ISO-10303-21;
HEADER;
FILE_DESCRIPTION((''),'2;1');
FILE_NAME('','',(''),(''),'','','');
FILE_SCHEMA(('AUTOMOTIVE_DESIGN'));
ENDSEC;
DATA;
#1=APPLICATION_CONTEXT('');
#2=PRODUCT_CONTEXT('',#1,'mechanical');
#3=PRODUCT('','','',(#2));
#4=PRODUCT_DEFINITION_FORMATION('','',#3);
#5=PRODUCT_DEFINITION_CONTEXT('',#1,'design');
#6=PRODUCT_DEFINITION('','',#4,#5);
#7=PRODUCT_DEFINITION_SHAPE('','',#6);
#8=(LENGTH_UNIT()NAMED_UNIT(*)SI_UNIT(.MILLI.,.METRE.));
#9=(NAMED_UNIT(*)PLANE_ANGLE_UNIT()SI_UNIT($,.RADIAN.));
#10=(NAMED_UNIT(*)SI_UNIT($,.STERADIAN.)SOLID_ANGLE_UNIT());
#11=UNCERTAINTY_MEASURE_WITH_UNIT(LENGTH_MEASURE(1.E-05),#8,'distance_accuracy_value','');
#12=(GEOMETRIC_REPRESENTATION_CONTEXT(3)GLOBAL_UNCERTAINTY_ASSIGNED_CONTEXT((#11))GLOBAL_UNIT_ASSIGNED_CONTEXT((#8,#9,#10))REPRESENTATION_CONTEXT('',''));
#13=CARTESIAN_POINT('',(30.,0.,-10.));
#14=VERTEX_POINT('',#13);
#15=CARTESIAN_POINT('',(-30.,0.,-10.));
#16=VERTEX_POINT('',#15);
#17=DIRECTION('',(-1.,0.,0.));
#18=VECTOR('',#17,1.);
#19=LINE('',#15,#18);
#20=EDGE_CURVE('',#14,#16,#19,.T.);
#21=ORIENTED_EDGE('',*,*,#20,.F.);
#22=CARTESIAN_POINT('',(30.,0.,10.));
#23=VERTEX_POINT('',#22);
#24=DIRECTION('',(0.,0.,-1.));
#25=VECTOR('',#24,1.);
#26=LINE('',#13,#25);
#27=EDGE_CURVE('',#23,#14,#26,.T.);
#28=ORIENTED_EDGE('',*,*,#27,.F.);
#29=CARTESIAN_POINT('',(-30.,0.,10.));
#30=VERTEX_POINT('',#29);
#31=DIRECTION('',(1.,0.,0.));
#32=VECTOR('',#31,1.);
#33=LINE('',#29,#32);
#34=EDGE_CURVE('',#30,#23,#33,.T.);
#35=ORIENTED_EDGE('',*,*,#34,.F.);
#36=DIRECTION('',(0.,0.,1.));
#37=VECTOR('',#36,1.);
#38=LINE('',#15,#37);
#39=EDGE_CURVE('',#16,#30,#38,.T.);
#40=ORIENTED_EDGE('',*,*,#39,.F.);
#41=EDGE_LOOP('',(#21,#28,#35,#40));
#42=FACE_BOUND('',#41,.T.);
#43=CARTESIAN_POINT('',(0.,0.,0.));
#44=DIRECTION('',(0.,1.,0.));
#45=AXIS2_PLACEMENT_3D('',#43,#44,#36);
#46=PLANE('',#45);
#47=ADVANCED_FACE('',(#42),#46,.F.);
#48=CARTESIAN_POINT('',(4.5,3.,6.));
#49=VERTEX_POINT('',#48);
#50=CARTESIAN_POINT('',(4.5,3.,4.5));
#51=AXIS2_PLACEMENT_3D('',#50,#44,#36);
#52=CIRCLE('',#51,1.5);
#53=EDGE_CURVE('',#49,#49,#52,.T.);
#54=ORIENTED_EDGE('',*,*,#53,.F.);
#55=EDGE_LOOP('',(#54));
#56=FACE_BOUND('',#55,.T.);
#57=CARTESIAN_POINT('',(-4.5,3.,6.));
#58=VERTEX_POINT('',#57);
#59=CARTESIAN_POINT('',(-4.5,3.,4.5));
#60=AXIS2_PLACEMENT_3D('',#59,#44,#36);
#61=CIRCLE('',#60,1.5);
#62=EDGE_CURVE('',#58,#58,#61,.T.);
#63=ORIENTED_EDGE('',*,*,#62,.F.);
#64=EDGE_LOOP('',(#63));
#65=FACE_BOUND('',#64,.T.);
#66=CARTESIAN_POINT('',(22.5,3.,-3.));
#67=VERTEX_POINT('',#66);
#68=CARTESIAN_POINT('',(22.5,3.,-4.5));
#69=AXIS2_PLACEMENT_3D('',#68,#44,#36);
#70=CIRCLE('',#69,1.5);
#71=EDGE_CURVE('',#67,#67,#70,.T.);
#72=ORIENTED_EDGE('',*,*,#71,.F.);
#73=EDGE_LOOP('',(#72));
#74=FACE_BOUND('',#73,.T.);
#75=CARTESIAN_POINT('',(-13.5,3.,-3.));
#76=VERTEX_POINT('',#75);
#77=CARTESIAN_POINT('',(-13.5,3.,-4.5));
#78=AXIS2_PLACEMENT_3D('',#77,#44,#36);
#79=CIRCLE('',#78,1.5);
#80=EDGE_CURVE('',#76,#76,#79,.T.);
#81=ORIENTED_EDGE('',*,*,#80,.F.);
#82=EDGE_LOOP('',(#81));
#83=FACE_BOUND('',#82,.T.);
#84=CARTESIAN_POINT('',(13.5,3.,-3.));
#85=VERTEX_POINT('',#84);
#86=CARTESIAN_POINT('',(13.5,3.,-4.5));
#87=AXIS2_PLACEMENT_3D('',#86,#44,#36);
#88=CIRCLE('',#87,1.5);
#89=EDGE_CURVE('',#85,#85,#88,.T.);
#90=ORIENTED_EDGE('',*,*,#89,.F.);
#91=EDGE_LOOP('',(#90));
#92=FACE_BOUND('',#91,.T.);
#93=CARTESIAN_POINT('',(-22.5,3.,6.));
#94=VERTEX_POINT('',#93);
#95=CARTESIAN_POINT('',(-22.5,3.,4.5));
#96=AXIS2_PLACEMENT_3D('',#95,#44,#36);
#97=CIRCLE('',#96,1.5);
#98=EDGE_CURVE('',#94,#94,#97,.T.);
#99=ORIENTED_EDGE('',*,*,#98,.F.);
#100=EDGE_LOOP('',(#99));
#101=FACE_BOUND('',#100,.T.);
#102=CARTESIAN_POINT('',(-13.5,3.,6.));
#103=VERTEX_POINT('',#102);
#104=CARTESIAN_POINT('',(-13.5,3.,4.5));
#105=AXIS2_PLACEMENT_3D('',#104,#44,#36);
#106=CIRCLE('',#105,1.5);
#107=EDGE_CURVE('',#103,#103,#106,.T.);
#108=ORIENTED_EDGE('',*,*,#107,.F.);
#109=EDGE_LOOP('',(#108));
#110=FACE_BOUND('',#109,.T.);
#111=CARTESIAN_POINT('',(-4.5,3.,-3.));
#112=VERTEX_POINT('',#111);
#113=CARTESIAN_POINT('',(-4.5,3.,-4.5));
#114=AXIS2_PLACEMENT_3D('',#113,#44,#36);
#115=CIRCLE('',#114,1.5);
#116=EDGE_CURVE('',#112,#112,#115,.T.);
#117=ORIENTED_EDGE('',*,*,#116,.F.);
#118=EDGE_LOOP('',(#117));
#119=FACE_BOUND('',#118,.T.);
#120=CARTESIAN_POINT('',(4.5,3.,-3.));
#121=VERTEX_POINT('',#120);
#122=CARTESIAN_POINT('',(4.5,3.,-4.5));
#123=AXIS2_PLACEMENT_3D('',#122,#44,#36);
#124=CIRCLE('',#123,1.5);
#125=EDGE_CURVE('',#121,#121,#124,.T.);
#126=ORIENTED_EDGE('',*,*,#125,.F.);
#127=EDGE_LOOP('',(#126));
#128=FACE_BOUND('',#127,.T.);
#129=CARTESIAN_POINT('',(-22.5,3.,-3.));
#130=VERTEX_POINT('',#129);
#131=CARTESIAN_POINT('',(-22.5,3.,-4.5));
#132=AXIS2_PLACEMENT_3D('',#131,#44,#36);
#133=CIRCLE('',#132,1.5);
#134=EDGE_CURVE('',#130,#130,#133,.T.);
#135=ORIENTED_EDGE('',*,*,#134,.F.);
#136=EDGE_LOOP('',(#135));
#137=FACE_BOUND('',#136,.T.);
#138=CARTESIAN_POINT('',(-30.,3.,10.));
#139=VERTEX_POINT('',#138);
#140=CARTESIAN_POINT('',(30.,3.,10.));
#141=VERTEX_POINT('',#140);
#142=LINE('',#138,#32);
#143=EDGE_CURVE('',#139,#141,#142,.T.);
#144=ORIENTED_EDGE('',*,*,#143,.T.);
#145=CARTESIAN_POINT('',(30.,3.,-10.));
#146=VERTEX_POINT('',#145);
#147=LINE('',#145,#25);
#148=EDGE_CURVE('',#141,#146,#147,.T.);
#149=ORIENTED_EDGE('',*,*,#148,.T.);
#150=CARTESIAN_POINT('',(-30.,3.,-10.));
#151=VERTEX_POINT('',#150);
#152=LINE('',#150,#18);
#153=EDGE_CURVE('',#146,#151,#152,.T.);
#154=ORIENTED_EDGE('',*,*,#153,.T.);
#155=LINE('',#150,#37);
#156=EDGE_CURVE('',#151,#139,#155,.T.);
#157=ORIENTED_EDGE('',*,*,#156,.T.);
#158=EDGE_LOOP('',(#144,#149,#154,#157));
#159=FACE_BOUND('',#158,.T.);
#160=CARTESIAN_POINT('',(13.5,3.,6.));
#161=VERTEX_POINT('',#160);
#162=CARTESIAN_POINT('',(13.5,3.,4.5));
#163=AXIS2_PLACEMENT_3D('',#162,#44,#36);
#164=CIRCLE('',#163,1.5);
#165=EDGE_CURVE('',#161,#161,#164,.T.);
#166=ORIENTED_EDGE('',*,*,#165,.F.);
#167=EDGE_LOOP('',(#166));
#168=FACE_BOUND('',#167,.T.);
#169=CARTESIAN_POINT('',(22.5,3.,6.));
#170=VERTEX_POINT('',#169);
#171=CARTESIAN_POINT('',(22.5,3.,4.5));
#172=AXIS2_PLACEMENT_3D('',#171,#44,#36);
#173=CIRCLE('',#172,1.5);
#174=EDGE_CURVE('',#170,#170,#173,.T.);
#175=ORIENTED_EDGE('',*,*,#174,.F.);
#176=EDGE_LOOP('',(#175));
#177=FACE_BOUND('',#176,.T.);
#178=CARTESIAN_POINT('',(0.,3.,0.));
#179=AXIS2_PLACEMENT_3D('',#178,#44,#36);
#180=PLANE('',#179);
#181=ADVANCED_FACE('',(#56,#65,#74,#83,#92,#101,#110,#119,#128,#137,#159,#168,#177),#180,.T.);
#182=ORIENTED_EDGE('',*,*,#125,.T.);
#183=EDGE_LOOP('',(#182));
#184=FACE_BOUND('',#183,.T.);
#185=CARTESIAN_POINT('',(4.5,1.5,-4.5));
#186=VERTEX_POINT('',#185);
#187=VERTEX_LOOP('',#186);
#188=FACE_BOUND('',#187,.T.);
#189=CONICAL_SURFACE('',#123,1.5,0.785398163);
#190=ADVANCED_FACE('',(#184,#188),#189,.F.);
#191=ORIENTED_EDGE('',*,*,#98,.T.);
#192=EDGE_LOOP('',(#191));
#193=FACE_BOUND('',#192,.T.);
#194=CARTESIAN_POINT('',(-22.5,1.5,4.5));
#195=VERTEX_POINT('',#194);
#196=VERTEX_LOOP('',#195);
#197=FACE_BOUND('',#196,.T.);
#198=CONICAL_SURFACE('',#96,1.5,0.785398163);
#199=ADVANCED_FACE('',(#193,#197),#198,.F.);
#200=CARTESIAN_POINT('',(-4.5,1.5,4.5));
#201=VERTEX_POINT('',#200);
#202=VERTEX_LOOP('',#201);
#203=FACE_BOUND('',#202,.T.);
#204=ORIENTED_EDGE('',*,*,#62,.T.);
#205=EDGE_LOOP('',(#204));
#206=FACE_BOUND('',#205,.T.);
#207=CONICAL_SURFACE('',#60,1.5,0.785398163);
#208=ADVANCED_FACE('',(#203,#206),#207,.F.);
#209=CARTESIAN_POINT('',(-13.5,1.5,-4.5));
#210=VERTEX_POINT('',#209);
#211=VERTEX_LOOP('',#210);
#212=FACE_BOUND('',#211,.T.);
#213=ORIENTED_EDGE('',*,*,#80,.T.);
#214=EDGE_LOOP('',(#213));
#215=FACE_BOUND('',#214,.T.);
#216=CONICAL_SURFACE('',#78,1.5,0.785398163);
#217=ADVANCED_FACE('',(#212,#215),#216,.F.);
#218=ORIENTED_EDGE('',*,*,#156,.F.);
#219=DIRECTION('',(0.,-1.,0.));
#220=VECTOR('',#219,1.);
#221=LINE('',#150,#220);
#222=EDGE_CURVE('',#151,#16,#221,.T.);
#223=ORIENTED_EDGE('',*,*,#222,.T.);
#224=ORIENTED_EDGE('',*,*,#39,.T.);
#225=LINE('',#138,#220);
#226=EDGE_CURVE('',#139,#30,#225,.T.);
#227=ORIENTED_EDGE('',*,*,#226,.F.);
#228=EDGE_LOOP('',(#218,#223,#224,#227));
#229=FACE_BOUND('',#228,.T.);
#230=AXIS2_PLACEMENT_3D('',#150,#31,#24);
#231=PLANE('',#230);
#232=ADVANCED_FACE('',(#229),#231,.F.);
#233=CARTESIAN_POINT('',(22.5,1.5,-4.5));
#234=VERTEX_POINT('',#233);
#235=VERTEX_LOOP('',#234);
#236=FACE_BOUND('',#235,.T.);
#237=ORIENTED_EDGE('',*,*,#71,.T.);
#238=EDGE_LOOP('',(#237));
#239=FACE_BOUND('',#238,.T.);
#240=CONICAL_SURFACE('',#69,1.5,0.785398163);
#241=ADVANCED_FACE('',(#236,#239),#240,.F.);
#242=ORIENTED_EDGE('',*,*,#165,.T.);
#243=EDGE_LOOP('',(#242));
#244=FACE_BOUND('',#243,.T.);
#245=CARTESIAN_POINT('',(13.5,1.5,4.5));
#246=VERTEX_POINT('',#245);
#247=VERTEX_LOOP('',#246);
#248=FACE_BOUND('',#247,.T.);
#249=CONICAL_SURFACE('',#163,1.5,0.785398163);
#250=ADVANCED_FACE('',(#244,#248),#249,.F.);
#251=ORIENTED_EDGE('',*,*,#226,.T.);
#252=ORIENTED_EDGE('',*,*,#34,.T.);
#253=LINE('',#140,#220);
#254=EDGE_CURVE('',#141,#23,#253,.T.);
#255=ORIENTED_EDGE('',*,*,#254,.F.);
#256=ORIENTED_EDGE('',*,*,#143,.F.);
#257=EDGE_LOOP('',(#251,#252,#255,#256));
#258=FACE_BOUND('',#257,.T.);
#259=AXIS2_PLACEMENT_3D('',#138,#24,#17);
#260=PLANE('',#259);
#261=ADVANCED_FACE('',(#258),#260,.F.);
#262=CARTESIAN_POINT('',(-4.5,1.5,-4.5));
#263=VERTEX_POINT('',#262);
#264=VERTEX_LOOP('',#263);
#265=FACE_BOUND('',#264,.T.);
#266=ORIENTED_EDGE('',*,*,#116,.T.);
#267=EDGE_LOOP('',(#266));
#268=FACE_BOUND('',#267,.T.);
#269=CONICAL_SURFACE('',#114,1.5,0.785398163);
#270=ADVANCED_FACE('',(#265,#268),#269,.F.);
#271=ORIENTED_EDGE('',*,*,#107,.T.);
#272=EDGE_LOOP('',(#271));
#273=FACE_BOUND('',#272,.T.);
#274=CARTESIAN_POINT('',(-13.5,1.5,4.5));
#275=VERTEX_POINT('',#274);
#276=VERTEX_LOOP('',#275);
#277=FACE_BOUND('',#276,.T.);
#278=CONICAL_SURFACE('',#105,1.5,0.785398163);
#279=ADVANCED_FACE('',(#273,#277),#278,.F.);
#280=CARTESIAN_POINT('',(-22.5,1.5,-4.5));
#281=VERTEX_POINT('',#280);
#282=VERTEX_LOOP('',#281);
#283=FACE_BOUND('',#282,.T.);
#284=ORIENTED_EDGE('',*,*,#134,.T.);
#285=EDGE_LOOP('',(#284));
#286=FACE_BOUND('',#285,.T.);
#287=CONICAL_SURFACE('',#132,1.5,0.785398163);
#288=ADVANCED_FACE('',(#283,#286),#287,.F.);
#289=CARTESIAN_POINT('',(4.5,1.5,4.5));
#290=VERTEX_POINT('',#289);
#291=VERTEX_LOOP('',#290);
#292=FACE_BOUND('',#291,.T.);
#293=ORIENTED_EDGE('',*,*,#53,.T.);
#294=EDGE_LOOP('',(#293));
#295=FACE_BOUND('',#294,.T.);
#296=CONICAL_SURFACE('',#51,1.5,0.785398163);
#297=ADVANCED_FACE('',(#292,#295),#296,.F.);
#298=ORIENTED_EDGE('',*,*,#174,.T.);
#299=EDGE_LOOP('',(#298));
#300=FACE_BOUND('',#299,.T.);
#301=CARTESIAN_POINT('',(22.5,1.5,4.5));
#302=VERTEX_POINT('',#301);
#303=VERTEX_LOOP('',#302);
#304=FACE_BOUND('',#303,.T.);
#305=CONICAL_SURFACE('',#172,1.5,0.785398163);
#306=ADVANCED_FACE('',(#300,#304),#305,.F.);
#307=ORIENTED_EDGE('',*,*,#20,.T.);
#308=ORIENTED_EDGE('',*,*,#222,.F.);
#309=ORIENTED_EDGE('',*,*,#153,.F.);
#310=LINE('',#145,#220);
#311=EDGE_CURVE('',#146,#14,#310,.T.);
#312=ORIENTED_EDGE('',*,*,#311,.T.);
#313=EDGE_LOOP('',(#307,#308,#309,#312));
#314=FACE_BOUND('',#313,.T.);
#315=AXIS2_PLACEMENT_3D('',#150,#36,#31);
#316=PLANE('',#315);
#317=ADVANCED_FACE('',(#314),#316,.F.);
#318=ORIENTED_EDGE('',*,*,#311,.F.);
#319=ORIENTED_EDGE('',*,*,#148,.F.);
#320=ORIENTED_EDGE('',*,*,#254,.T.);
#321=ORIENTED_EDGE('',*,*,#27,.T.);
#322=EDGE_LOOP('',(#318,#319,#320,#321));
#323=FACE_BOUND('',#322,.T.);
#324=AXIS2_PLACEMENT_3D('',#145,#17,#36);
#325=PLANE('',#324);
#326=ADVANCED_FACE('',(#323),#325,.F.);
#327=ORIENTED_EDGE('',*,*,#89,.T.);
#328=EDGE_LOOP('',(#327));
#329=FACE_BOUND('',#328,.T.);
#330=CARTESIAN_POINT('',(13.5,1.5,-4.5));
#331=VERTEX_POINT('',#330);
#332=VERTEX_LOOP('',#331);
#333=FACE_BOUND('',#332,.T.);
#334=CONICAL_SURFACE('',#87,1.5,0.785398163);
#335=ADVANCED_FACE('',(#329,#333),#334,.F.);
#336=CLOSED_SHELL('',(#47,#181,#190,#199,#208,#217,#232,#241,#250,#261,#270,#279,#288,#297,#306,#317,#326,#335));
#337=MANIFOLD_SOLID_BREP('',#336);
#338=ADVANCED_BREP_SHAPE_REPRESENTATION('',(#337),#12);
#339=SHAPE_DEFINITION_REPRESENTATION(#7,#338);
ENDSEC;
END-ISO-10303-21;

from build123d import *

# Parameters (mm, degrees)
SKETCH1_W            = 60
SKETCH1_H            = 20
BOSS_EXTRUDE1_DEPTH  = 3
LPATTERN1_COUNT      = 6
LPATTERN1_PITCH      = 9
LPATTERN1_COUNT_DIR2 = 2
LPATTERN1_PITCH_DIR2 = 9


with BuildPart() as part:
    # Sketch1 → Boss-Extrude1 (new body)
    with BuildSketch(Plane(origin=(0, 0, 0), x_dir=(1, 0, 0), z_dir=(0, 1, 0))):
        Rectangle(SKETCH1_W, SKETCH1_H)
    extrude(amount=BOSS_EXTRUDE1_DEPTH)

    # Cut-Extrude1 cone 1 section (through the dimple's axis) → Cut-Extrude1 (revolve, cut)
    with BuildSketch(Plane(origin=(-22.5, 3, 4.5), x_dir=(0, 0, 1), z_dir=(1, 0, 0))):
        Polygon((0, 0), (1.5, 0), (0, 1.5), align=None)
    cut_extrude1 = revolve(axis=Axis((-22.5, 3, 4.5), (0, -1, 0)), mode=Mode.SUBTRACT)

    # LPattern1: Cut-Extrude1 6 × 2
    with Locations(*[(i * LPATTERN1_PITCH, 0, -j * LPATTERN1_PITCH_DIR2) for i in range(LPATTERN1_COUNT) for j in range(LPATTERN1_COUNT_DIR2) if (i, j) != (0, 0)]):
        add(cut_extrude1, mode=Mode.SUBTRACT)


solid = part.part
